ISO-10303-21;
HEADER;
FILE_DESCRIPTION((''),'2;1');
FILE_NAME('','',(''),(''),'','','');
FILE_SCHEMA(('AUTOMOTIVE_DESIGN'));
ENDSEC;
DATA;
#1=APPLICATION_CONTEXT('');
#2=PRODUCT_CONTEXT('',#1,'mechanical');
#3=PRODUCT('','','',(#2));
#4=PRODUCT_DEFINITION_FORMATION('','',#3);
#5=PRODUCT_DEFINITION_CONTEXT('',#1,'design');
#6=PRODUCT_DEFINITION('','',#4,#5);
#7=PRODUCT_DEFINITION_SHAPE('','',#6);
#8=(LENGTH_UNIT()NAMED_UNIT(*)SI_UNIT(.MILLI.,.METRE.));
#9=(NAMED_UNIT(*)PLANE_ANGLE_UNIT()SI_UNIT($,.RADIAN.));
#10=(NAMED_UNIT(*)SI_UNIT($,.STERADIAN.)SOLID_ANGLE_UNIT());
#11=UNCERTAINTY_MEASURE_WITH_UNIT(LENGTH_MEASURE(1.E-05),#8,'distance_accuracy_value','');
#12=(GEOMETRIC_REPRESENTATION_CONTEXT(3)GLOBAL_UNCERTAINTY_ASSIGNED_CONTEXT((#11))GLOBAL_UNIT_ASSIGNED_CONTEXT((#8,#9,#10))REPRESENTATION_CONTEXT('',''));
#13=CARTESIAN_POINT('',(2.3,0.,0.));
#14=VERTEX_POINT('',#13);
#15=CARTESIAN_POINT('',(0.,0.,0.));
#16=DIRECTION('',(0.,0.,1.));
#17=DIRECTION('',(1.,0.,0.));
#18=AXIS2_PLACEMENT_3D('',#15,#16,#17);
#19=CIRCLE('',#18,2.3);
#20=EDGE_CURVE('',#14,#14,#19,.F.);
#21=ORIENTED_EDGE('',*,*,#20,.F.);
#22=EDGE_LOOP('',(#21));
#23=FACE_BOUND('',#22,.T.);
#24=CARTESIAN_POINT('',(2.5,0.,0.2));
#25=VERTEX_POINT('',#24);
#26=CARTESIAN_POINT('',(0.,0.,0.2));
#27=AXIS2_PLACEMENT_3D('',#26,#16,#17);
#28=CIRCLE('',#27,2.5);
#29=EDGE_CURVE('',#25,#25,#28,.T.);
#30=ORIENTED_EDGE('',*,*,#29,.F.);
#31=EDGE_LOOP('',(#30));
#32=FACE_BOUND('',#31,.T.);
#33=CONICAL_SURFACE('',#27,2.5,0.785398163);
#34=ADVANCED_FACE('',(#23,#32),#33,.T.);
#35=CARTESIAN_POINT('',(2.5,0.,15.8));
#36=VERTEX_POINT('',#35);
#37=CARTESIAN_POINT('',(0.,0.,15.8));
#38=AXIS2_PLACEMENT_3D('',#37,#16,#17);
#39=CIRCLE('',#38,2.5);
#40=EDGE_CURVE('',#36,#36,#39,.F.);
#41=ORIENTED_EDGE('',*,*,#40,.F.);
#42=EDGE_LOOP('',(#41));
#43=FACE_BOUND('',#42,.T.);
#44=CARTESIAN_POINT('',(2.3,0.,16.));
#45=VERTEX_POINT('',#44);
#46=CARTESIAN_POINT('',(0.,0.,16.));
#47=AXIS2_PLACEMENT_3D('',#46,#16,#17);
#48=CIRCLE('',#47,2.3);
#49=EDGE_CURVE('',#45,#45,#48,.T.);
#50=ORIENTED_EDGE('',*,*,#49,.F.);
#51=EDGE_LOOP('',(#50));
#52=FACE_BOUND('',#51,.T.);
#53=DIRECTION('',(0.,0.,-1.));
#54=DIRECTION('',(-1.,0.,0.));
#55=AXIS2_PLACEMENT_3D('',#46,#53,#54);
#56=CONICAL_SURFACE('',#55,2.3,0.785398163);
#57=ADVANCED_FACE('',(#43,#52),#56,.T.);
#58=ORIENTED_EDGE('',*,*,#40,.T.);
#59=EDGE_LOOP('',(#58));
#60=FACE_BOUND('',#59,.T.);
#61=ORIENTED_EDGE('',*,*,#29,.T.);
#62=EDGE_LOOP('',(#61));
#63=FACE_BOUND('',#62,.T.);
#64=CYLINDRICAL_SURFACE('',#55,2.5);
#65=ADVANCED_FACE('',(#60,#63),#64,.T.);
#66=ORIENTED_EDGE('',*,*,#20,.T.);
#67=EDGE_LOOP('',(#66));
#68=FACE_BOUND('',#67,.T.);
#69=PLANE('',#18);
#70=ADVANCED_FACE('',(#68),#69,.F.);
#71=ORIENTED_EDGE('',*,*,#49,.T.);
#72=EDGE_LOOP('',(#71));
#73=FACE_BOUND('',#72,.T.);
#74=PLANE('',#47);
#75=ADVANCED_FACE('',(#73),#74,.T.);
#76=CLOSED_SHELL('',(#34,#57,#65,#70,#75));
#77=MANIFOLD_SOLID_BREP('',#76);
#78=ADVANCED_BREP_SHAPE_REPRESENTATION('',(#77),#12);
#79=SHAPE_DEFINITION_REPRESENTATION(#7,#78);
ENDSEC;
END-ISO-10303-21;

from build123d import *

# Parameters (mm, degrees)
SKETCH1_R           = 2.5
BOSS_EXTRUDE1_DEPTH = 16
CHAMFER1_SIZE       = 0.2


with BuildPart() as part:
    # Sketch1 → Boss-Extrude1 (new body)
    with BuildSketch(Plane.XY):
        Circle(SKETCH1_R)
    extrude(amount=BOSS_EXTRUDE1_DEPTH)

    # Chamfer1
    chamfer1_edges = [part.edges().sort_by_distance(p)[0] for p in [
        (-2.5, 0, 0),
        (-2.5, 0, 16),
    ]]
    chamfer(chamfer1_edges, length=CHAMFER1_SIZE)


solid = part.part
